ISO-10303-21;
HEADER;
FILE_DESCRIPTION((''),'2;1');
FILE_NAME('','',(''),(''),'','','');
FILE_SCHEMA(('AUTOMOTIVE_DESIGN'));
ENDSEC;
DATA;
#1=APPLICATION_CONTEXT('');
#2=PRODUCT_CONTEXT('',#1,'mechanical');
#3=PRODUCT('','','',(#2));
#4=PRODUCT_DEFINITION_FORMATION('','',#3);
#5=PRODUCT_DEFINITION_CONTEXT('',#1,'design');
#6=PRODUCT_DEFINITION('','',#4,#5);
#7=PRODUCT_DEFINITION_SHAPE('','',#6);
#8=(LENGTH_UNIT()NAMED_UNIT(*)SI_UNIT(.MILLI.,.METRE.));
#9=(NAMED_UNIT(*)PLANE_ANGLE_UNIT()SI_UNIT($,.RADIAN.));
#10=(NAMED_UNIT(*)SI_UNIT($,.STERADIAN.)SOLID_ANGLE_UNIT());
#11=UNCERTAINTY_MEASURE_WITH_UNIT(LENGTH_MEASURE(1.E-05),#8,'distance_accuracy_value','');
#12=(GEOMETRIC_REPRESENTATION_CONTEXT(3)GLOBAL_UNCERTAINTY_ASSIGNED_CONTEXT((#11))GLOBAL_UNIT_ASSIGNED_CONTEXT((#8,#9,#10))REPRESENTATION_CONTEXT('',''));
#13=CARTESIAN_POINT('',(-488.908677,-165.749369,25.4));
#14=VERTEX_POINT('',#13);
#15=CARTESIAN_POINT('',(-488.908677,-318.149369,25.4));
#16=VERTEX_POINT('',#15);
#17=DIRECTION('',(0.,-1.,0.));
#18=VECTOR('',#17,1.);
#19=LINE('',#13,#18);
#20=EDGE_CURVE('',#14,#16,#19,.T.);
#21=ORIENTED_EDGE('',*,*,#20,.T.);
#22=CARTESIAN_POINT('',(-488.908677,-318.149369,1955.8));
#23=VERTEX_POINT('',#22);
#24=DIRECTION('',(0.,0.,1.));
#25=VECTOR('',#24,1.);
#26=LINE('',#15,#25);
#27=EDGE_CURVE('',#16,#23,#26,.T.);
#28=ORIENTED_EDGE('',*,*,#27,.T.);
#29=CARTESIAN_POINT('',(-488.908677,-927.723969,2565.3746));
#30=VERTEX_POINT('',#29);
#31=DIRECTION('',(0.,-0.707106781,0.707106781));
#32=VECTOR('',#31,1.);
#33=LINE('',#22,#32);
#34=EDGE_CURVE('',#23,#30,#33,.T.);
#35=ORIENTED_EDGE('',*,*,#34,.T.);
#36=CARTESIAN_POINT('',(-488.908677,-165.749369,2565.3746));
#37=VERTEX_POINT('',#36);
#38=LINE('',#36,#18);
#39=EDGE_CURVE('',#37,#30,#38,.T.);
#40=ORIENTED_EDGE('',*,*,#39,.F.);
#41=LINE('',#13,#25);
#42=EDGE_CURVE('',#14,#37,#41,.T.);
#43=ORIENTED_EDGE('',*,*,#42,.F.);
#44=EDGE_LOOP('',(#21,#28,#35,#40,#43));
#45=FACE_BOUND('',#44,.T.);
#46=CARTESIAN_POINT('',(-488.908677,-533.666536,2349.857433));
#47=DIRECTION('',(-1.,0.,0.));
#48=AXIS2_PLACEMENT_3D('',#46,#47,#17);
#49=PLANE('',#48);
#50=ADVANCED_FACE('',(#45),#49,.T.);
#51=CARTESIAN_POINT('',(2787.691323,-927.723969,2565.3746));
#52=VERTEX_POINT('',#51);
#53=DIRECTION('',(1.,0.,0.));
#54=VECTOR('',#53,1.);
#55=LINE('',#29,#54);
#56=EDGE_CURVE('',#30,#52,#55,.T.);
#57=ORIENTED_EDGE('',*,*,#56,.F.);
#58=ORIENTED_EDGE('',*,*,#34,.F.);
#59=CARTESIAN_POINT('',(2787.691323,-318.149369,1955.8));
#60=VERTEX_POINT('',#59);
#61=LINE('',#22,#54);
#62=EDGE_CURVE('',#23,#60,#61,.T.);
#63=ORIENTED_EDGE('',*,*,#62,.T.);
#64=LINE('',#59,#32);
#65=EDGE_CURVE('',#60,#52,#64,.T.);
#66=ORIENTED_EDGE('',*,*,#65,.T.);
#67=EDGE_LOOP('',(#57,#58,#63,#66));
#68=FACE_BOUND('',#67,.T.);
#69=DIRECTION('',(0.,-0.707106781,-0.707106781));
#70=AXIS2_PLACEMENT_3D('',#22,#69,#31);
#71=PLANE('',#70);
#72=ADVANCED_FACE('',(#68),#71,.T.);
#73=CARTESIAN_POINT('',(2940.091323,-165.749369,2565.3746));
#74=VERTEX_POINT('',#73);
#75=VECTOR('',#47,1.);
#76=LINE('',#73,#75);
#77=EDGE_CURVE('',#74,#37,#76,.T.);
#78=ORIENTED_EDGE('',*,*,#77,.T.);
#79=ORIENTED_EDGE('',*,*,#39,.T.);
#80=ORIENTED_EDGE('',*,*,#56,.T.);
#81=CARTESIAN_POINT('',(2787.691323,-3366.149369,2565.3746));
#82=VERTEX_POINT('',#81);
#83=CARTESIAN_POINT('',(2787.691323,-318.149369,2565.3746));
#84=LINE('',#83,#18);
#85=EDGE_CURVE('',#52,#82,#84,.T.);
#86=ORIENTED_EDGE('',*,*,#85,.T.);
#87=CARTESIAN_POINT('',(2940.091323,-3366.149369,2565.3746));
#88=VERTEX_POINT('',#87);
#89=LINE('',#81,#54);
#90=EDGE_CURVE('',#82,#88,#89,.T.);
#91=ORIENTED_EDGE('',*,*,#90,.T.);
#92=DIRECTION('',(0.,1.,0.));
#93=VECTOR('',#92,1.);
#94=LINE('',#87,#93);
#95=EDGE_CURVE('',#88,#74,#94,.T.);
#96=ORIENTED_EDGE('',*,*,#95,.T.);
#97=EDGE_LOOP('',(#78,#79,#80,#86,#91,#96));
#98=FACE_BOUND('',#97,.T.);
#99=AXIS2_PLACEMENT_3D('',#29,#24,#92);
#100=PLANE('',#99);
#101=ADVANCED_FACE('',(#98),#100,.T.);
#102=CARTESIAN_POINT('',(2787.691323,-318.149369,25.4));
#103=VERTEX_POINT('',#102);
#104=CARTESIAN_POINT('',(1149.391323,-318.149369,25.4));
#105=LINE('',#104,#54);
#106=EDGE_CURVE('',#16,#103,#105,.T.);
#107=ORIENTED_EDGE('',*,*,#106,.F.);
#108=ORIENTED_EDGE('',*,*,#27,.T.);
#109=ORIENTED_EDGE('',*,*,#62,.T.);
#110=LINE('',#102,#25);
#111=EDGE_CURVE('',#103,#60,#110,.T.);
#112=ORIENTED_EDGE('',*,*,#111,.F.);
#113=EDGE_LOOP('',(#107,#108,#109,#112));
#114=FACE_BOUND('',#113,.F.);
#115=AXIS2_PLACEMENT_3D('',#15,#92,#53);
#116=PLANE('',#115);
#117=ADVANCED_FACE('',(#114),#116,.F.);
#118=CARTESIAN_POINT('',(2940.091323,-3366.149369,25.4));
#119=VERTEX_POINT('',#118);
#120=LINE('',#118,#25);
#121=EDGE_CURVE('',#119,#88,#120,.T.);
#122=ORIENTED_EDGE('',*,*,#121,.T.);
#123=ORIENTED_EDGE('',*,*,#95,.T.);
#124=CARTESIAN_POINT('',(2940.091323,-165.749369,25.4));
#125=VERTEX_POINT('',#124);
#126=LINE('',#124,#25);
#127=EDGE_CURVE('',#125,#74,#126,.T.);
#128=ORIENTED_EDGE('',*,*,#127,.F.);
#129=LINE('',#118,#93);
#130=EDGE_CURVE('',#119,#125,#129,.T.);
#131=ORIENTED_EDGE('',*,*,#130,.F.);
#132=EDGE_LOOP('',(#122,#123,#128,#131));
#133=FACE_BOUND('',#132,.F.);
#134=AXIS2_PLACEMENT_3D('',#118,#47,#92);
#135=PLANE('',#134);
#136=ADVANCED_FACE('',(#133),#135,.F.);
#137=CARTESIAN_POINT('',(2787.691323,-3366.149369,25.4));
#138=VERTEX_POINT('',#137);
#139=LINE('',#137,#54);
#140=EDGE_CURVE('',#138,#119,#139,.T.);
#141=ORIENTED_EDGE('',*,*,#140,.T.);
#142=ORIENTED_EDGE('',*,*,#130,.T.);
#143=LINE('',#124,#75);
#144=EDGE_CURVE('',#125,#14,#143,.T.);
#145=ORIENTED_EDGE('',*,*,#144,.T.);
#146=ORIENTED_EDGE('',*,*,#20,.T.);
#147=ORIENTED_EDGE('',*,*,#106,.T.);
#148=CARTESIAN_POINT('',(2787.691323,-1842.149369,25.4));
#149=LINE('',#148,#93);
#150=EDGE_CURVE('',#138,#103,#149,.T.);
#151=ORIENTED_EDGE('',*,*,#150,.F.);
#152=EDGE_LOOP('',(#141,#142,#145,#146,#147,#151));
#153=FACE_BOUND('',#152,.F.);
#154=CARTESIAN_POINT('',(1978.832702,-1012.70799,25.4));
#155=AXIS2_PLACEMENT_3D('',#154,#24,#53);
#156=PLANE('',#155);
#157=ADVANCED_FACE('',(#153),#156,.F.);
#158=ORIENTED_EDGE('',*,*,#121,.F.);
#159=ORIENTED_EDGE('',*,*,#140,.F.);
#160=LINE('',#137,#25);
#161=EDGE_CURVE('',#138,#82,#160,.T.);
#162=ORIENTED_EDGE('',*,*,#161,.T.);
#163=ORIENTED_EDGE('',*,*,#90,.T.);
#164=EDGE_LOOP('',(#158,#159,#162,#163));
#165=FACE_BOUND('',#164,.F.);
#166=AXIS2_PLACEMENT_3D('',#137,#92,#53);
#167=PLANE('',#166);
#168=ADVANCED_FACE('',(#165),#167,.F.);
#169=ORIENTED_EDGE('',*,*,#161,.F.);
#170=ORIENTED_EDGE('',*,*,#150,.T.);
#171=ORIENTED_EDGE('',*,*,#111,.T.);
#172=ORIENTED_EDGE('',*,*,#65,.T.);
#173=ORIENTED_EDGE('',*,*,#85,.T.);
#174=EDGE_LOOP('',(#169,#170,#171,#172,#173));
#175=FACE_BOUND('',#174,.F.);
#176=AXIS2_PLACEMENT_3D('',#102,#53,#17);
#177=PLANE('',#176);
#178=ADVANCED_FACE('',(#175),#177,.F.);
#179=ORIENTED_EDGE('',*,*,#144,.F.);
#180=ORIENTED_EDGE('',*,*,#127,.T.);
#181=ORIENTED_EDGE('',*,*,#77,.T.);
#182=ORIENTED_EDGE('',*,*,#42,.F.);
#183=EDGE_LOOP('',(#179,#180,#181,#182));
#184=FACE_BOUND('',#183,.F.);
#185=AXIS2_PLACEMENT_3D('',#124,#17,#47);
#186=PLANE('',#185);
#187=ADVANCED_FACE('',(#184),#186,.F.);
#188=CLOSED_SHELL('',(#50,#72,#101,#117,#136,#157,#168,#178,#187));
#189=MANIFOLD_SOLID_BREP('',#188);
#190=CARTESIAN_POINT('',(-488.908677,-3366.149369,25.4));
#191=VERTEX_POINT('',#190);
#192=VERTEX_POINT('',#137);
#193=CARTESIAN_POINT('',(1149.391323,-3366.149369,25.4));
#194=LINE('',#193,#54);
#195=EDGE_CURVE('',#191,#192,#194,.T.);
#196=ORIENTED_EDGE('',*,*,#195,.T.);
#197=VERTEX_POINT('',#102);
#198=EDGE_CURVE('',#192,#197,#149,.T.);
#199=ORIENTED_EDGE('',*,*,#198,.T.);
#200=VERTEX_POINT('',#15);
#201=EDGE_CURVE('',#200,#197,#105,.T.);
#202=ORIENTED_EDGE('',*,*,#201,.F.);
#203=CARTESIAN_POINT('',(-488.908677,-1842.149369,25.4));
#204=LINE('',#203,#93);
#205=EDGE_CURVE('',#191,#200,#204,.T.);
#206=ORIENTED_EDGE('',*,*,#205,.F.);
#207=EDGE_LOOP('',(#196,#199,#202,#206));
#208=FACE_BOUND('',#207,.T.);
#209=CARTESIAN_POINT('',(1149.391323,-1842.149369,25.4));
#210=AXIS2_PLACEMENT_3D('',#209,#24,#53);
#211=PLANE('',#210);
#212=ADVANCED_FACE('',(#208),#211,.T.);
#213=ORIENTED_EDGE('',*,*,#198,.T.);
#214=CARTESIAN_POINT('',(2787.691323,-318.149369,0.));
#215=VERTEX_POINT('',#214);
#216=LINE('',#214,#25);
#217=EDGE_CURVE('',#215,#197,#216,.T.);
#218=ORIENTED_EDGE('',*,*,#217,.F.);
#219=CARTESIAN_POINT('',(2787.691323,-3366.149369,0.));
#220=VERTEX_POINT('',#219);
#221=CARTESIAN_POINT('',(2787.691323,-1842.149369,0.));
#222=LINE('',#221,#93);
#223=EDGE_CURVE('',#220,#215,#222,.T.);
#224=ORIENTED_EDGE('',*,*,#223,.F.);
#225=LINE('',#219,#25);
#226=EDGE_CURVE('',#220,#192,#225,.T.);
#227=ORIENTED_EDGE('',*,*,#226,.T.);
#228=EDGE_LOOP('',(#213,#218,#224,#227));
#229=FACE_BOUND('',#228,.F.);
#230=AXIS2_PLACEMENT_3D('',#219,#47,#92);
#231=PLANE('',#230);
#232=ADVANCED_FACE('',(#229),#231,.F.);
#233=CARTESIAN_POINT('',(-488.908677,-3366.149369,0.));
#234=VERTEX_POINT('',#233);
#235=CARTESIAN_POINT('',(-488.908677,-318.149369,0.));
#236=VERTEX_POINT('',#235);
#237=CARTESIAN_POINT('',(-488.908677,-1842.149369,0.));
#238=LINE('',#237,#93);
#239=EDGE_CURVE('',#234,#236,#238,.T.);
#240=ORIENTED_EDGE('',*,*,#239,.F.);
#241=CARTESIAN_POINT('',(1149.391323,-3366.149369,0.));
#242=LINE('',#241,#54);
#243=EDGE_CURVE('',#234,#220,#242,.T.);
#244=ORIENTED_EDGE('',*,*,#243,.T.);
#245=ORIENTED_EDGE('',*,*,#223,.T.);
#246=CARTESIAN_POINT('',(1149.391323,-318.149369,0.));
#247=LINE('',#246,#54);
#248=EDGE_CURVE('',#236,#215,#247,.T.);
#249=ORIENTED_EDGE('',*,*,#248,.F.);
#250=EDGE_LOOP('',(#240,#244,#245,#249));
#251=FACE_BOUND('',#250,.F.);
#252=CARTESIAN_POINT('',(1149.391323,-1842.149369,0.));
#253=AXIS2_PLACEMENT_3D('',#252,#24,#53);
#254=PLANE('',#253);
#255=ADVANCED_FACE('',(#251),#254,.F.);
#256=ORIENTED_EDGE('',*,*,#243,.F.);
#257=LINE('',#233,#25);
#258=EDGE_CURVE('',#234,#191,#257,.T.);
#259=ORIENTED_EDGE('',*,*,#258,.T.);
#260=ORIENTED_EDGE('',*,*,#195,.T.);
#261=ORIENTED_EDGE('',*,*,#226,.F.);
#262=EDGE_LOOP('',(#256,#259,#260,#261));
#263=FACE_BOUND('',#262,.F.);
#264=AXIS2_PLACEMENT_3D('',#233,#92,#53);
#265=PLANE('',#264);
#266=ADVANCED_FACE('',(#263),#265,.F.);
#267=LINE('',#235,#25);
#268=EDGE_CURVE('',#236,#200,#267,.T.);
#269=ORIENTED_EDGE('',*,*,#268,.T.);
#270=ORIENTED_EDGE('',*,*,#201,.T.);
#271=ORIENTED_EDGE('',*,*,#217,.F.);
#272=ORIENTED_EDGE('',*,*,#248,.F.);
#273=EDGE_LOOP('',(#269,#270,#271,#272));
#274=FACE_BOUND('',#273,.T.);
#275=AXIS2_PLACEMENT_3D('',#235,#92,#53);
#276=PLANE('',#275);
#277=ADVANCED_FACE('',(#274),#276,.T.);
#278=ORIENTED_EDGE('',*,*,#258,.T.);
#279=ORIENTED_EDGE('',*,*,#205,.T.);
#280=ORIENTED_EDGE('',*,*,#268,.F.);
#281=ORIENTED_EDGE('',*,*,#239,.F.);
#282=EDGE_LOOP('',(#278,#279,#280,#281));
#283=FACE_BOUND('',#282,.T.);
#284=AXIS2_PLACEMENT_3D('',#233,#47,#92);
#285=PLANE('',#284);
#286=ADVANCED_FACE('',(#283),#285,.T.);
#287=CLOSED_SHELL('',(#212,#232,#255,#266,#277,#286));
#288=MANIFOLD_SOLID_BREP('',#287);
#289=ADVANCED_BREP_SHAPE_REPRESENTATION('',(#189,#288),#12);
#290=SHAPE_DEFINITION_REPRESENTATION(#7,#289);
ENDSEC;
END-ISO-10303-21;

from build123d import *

# Parameters (mm, degrees)
F0_W     = 3276.6
F0_H     = 3048
F1_DEPTH = 25.4
F3_DEPTH = 2539.9746
F5_DEPTH = 3276.6


with BuildPart() as f1:
    # F0 (on Top) → F1 (new body)
    with BuildSketch(Plane.XY):
        with Locations((1149.391323, -1842.149369)):
            Rectangle(F0_W, F0_H)
    extrude(amount=F1_DEPTH)

    # F2 (on face) → F3 (join)
    with BuildSketch(Plane.XY.offset(25.4)):
        Polygon((-488.908677, -165.749369), (-488.908677, -318.149369), (2787.691323, -318.149369), (2787.691323, -3366.149369), (2940.091323, -3366.149369), (2940.091323, -165.749369), align=None)
    extrude(amount=F3_DEPTH)

    # F4 (on face) → F5 (join, through all)
    with BuildSketch(Plane(origin=(-488.908677, 0, 0), x_dir=(0, -1, 0), z_dir=(-1, 0, 0))):
        Polygon((927.723969, 2565.3746), (318.149369, 2565.3746), (318.149369, 1955.8), align=None)
    extrude(amount=-F5_DEPTH)


solid = f1.part
